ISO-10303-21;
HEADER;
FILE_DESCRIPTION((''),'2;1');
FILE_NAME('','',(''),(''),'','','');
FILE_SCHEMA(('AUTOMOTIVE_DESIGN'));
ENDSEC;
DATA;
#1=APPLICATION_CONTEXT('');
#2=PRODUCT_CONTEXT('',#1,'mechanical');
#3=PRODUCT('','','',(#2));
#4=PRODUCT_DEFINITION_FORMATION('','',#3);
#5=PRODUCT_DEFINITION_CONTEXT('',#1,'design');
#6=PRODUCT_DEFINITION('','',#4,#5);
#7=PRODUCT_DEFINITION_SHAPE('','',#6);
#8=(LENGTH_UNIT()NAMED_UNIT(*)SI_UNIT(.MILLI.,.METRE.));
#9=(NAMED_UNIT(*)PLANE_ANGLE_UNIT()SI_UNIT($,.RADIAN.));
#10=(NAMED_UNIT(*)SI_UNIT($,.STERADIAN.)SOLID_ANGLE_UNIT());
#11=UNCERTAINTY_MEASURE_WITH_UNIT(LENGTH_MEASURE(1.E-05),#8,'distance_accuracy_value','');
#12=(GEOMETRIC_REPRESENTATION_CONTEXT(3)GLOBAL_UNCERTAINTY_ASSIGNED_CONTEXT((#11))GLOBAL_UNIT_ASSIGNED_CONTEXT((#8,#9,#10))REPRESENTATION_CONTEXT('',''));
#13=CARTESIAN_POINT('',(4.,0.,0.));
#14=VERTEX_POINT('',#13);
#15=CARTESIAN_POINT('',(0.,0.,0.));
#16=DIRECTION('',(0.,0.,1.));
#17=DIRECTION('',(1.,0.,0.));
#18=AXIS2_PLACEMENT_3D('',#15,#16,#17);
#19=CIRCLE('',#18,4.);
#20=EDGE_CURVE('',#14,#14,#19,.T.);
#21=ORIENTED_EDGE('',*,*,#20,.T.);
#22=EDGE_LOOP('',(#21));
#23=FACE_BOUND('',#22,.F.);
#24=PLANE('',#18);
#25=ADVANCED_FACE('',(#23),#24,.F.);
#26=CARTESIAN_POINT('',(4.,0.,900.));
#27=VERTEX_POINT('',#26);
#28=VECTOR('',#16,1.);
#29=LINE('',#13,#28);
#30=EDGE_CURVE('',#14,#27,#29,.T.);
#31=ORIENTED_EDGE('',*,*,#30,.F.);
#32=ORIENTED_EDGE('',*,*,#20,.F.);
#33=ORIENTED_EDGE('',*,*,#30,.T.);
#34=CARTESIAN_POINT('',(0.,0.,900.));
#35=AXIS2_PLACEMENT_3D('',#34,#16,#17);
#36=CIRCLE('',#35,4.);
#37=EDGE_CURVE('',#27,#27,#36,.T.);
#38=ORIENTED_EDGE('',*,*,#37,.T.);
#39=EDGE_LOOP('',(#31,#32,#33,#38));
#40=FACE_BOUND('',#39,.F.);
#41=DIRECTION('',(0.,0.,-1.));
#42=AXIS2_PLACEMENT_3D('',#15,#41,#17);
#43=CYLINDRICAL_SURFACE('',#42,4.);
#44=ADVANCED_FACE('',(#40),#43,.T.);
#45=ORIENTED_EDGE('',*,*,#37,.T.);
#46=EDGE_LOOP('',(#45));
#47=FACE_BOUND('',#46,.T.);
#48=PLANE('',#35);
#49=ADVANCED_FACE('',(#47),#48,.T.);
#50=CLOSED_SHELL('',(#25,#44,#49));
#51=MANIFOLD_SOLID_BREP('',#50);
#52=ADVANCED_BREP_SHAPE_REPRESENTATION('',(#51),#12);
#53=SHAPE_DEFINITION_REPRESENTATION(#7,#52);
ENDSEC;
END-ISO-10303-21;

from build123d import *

# Parameters (mm, degrees)
CYLINDER_R     = 4
CYLINDER_DEPTH = 900


with BuildPart() as part:
    # Cylinder → Cylinder (new body)
    with BuildSketch(Plane.XY):
        Circle(CYLINDER_R)
    extrude(amount=CYLINDER_DEPTH)


solid = part.part
